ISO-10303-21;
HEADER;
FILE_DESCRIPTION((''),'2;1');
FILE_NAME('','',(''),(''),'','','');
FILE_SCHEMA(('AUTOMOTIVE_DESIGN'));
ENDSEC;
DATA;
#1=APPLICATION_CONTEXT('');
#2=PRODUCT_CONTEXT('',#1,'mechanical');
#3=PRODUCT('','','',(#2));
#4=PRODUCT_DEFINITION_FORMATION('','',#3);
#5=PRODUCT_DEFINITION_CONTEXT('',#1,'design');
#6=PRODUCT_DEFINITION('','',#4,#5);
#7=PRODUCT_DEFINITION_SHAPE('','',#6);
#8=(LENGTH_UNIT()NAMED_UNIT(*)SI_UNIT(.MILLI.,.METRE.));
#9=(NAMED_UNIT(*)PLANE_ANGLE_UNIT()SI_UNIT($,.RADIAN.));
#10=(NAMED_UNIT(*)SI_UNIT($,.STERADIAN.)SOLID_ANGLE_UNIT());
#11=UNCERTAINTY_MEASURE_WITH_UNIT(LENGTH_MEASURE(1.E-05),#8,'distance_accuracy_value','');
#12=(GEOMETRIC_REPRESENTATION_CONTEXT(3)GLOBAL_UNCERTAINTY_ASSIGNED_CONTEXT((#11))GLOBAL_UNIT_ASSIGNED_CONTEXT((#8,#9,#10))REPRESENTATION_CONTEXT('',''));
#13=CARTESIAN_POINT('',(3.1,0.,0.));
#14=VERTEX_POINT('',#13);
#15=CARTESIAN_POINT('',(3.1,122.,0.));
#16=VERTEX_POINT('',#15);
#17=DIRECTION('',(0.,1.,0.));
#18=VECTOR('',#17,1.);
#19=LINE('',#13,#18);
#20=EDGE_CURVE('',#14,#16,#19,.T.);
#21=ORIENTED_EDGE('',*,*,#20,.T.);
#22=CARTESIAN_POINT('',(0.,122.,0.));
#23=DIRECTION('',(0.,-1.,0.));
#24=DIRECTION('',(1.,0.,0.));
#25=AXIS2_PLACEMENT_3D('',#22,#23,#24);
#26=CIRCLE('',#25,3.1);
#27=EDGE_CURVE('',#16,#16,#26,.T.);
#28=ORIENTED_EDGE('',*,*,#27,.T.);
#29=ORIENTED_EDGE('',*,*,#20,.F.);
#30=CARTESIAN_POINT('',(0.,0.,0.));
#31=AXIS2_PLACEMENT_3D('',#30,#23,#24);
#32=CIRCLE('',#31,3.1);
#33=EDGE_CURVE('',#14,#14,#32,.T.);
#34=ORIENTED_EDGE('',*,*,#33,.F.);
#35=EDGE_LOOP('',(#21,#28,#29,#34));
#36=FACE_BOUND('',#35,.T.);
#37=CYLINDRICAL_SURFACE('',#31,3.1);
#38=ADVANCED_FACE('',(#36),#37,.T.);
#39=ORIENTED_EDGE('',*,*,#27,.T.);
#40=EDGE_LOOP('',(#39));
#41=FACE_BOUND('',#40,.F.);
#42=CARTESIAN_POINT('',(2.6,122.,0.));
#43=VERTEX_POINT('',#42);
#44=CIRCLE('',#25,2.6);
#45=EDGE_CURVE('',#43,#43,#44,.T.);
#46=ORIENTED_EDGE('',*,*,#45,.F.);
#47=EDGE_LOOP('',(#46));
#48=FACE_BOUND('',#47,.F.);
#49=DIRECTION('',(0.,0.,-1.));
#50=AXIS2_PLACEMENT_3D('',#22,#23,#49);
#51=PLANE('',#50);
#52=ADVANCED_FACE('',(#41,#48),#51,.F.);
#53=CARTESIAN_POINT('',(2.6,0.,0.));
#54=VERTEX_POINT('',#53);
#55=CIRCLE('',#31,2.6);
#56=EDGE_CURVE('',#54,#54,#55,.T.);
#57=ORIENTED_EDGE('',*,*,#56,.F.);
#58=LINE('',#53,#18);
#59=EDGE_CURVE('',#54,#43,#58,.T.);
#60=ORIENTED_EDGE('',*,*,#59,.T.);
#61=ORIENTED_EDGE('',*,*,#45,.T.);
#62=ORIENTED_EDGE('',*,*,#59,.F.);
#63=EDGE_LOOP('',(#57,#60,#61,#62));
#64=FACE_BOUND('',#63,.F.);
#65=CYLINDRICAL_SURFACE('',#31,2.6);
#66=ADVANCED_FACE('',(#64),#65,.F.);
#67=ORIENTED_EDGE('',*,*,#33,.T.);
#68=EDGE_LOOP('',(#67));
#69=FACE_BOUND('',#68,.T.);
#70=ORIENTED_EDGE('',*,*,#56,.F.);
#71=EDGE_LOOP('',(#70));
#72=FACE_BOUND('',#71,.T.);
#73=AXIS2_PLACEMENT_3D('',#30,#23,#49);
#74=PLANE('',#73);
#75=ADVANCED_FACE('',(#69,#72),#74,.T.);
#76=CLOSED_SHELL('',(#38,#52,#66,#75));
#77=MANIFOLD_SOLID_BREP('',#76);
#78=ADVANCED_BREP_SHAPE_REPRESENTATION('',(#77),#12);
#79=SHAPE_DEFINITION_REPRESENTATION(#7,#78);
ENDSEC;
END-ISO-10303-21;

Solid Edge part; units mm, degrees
sketch "Sketch1" plane through (0, 0, 0) normal (0, -1, 0) x (1, 0, 0)
  circle A0 centre (0, 0) radius 3.1
  circle A1 centre (0, 0) radius 2.6
extrude "Protrusion1" add sketch "Sketch1" against normal blind 122
properties material "Steel, structural"
